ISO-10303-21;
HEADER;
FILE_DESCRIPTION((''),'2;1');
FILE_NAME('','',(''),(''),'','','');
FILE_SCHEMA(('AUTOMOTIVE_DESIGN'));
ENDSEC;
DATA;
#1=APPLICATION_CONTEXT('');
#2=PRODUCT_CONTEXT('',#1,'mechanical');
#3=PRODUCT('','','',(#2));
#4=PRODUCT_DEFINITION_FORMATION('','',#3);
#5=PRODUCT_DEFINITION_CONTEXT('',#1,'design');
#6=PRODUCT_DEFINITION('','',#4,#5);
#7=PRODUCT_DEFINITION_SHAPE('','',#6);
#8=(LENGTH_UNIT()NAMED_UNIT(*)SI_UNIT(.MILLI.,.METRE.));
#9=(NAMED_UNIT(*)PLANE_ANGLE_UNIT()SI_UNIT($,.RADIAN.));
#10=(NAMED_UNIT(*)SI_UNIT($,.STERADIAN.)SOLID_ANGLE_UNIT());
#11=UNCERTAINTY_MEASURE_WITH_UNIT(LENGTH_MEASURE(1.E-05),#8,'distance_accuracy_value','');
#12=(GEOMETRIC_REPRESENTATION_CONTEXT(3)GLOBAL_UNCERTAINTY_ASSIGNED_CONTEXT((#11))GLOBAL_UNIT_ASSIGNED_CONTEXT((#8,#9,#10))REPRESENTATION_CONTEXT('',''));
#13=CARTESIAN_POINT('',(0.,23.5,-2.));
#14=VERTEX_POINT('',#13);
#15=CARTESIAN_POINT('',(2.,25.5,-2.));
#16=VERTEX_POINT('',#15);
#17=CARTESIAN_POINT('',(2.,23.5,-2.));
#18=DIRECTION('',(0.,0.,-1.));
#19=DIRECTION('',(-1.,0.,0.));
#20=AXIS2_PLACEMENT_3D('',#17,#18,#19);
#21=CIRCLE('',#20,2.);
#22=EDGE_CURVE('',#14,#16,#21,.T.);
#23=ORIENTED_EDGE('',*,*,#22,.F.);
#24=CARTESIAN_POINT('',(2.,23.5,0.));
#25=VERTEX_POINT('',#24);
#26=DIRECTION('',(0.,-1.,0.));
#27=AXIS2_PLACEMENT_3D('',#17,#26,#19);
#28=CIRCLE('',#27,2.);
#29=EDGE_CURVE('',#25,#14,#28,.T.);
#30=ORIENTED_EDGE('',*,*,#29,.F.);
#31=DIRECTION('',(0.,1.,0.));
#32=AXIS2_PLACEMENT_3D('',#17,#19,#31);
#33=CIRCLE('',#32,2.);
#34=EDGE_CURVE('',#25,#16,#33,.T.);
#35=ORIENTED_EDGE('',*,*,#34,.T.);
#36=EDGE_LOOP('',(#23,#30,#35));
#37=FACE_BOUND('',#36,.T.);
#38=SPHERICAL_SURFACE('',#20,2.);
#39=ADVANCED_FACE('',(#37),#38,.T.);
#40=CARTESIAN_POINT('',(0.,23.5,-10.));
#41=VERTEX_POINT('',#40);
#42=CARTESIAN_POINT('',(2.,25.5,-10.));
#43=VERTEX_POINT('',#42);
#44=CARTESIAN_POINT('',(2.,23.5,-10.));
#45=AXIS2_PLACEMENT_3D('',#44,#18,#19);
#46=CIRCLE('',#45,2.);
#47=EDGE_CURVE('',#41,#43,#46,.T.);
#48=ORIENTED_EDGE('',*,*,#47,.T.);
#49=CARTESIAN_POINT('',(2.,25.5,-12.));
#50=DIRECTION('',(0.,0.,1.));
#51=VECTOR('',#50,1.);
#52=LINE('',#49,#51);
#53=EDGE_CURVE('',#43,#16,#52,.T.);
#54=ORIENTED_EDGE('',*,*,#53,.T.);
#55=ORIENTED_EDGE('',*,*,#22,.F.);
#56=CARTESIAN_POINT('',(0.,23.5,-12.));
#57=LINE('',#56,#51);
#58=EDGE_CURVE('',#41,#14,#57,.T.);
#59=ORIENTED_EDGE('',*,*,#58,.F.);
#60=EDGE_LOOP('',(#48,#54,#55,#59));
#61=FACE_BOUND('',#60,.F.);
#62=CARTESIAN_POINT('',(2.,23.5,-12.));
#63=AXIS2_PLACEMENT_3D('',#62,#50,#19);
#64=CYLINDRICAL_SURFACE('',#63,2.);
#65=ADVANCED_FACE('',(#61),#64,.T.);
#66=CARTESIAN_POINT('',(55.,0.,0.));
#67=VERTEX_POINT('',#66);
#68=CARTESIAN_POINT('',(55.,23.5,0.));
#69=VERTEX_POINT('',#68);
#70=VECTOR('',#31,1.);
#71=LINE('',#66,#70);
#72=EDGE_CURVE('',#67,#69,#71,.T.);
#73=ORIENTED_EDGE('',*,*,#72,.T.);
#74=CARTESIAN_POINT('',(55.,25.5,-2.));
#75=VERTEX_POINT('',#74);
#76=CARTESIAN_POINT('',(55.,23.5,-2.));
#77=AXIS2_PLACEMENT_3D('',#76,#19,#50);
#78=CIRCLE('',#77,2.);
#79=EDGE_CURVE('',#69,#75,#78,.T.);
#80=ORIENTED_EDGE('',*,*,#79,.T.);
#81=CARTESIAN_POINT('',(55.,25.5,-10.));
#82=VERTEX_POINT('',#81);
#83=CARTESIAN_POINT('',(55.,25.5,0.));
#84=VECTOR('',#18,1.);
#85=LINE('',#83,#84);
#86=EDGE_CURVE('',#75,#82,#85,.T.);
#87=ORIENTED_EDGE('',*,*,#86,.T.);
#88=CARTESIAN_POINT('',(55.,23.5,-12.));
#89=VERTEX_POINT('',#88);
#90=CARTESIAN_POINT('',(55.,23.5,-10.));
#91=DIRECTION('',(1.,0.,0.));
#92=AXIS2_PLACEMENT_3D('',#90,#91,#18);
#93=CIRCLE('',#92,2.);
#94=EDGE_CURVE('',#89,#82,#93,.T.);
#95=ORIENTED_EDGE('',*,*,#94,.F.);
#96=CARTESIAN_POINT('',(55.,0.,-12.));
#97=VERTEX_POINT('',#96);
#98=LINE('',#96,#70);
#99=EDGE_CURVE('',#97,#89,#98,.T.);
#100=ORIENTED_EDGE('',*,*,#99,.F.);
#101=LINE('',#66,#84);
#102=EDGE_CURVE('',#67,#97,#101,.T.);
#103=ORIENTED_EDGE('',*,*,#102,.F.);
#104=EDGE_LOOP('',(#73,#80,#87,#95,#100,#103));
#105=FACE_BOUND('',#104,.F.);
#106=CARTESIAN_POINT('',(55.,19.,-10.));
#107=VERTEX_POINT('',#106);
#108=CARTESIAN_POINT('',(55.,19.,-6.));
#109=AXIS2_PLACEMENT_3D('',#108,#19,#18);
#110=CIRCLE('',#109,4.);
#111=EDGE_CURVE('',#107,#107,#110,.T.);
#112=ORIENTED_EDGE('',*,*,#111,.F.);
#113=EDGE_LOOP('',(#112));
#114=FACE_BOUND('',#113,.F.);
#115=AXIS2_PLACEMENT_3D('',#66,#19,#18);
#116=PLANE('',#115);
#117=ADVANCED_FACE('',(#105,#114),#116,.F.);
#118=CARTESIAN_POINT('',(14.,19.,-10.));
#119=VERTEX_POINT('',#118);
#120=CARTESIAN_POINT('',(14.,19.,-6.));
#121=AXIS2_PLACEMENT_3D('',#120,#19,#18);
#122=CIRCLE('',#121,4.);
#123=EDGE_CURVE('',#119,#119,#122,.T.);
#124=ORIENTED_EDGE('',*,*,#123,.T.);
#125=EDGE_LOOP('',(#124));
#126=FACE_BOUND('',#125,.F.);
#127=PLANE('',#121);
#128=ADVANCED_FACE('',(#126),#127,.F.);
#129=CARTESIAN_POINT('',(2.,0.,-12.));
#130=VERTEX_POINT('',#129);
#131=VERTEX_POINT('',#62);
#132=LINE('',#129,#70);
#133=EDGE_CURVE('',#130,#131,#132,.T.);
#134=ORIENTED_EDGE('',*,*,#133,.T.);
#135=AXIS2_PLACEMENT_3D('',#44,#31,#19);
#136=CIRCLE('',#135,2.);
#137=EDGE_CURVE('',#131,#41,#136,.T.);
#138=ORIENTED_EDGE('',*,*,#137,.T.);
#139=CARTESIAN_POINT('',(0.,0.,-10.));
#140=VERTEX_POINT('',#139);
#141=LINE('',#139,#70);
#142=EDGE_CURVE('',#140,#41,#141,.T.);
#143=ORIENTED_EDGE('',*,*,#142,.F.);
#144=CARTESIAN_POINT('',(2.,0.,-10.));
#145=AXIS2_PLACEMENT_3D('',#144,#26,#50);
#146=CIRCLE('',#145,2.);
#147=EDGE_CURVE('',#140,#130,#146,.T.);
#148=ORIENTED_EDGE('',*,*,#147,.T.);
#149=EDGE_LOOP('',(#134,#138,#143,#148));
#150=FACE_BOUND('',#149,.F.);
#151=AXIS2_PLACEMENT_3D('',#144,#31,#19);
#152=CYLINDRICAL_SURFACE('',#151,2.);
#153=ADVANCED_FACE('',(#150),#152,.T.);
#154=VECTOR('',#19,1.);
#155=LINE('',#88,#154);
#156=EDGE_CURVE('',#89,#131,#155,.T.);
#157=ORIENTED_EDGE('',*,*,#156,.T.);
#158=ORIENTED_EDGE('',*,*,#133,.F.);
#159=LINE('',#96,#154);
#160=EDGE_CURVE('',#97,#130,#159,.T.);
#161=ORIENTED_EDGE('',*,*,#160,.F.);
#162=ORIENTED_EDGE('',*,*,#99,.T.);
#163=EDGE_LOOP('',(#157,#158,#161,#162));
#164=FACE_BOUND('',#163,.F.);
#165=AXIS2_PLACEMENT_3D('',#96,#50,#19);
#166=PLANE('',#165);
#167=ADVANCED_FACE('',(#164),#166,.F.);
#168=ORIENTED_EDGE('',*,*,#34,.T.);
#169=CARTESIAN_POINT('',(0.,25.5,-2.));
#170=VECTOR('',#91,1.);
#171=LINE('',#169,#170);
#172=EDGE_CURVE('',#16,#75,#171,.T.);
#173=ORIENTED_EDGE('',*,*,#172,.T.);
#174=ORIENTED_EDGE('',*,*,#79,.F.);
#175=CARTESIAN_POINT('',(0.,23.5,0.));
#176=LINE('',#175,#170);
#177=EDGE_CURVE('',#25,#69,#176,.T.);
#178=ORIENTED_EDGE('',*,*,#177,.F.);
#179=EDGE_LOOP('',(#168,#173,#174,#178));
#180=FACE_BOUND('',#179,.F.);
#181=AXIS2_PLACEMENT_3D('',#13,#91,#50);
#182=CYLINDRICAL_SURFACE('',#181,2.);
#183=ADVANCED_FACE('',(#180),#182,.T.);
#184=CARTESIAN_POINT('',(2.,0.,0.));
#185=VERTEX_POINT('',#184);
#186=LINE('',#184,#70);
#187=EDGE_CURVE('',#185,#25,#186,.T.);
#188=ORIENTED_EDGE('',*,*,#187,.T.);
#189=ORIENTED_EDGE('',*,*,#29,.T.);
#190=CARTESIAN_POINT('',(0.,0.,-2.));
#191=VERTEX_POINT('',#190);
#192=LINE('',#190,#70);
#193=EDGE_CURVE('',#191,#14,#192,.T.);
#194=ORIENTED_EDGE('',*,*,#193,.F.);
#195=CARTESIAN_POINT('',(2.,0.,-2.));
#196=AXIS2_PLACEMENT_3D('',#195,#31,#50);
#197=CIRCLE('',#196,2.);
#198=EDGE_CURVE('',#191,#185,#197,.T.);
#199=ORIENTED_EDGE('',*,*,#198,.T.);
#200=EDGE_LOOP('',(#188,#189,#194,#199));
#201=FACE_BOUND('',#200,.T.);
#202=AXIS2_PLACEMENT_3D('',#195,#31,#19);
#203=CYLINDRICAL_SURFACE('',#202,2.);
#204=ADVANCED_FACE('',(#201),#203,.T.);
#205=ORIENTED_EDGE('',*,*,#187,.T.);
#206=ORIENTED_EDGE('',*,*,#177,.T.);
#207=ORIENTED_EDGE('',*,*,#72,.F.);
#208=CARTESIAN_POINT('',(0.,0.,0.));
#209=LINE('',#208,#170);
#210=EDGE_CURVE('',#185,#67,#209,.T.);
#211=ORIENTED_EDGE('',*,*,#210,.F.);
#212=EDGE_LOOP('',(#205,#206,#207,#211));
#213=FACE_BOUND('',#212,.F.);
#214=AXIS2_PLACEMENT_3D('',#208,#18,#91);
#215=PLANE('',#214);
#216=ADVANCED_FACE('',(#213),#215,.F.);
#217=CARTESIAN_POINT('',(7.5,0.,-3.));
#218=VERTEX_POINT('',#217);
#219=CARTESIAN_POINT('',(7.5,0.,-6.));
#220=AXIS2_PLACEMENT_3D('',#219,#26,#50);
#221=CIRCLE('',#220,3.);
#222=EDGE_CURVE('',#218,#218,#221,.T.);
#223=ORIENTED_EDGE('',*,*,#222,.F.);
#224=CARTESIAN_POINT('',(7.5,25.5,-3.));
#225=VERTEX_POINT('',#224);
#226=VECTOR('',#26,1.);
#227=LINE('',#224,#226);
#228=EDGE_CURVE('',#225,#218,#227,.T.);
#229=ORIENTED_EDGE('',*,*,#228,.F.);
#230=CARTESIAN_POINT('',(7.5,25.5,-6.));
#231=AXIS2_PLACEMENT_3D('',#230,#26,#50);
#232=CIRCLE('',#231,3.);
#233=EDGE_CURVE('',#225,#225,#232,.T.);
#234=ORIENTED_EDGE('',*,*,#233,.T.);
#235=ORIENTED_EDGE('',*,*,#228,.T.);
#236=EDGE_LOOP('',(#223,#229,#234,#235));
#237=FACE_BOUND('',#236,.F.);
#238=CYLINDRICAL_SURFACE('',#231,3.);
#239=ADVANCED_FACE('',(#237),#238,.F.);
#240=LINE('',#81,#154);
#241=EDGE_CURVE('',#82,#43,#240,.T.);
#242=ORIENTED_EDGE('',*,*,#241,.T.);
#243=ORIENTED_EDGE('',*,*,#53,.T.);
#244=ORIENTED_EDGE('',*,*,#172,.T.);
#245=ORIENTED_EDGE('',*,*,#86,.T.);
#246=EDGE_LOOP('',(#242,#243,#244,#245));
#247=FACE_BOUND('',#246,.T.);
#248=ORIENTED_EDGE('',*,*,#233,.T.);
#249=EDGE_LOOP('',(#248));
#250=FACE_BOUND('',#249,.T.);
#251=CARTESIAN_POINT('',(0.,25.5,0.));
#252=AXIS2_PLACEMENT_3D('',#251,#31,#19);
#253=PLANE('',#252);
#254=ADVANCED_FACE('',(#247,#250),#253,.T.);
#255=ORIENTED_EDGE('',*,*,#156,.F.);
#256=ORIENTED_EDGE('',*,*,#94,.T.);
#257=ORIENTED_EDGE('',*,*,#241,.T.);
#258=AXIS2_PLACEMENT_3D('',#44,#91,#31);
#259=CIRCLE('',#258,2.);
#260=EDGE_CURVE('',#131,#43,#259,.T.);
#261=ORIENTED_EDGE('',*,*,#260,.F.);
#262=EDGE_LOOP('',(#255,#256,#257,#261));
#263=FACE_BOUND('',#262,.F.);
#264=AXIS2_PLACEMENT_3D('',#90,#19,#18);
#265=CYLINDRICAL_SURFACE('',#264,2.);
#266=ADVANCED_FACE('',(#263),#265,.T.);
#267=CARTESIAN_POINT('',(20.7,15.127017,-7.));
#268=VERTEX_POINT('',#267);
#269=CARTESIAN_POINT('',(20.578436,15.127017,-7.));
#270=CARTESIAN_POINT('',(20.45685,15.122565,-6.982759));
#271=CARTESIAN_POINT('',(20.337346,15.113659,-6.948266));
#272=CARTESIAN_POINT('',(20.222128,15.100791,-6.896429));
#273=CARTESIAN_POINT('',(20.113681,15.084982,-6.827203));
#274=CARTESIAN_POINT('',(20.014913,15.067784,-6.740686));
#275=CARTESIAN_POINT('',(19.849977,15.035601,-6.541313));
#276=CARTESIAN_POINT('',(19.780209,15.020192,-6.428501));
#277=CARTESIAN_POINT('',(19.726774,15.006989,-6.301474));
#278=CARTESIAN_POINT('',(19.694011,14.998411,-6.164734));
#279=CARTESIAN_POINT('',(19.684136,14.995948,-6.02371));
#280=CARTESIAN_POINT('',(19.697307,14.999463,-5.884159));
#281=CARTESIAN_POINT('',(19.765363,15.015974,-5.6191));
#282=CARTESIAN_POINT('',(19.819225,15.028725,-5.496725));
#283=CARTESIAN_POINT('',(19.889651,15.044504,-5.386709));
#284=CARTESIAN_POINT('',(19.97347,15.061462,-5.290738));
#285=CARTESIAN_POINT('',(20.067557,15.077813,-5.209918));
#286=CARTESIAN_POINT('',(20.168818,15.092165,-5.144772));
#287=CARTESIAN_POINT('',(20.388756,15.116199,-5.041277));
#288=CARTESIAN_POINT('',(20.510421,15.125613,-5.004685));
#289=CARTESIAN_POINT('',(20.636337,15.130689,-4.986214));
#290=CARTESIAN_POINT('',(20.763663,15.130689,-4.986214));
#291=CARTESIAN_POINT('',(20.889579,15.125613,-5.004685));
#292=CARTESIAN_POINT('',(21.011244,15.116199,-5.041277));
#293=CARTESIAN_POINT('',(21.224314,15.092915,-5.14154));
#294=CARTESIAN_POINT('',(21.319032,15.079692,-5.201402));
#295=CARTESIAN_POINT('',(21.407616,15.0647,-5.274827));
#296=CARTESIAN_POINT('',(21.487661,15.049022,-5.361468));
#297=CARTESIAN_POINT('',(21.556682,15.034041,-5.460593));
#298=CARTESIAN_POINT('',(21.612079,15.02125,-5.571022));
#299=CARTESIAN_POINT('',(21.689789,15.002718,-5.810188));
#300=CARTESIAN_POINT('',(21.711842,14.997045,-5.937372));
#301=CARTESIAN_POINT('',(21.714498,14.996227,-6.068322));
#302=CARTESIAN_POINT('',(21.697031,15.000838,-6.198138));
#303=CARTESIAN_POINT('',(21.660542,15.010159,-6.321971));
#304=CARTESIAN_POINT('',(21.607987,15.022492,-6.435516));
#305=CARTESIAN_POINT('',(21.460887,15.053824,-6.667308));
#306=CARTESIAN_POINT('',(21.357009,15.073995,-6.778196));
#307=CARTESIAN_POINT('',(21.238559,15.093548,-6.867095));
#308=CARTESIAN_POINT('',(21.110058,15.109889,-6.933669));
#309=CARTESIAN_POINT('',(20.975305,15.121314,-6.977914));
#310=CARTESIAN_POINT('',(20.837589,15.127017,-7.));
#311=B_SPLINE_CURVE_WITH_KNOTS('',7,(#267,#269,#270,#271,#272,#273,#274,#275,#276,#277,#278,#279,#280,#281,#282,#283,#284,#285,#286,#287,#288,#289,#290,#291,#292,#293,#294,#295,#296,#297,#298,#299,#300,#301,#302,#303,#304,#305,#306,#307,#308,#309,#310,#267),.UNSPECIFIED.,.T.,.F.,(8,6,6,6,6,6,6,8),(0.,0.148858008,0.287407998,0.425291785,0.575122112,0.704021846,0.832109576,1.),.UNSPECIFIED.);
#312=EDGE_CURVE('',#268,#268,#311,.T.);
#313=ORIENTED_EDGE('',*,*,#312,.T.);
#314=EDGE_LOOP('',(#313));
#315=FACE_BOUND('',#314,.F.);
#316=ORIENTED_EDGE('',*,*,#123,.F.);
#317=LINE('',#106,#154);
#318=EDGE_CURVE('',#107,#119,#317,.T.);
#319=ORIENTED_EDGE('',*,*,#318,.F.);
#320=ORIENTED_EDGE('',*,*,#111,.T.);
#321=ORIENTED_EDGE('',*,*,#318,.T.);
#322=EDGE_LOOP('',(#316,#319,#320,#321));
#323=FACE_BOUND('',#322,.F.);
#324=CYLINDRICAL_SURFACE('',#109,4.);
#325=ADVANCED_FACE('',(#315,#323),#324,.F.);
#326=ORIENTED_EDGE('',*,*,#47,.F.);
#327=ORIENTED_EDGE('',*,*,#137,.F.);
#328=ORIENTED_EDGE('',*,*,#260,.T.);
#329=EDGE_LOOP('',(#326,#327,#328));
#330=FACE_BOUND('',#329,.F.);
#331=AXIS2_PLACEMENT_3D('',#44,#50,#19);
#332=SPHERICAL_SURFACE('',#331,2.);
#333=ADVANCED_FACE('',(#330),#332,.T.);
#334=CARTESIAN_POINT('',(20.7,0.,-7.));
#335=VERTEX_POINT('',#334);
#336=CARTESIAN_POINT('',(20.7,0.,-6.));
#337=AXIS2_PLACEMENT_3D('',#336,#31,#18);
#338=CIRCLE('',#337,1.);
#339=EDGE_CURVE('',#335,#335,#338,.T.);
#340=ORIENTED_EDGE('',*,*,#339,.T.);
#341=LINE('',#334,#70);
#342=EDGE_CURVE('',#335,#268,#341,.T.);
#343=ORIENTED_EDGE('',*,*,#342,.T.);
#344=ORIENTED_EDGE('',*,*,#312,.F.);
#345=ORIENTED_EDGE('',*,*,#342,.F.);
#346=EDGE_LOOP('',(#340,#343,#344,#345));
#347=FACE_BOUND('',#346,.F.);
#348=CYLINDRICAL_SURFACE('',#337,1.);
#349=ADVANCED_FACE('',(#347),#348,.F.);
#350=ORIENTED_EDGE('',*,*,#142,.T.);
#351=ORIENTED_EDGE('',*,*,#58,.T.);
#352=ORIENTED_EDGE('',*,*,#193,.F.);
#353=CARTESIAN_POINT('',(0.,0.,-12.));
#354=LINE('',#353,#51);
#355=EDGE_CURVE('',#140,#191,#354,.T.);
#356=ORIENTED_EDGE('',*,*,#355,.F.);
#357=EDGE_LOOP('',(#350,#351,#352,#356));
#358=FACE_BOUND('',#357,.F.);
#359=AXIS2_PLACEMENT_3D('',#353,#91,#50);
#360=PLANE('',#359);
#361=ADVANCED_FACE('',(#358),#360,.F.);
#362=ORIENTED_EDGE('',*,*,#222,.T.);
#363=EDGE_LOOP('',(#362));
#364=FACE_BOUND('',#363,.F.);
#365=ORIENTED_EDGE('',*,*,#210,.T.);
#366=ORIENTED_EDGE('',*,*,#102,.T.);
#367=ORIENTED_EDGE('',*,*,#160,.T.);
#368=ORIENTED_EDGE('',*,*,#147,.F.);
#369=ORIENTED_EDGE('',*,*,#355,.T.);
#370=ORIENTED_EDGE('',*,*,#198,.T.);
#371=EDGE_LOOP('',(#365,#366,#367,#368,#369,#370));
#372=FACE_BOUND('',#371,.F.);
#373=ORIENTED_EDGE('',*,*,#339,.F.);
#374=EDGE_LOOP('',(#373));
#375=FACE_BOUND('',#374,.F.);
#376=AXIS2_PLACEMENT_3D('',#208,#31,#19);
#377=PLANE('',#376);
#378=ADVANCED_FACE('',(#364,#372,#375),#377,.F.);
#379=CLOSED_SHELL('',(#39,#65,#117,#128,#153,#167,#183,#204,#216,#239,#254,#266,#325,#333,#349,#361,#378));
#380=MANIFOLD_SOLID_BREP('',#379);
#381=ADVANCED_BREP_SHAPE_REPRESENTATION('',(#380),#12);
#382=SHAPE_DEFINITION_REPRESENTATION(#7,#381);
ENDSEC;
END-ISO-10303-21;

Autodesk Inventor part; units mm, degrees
ref_plane "YZ Plane" through (0, 0, 0) normal (1, 0, 0) x (0, 1, 0)
ref_plane "XZ Plane" through (0, 0, 0) normal (0, 1, 0) x (-1, 0, 0)
ref_plane "XY Plane" through (0, 0, 0) normal (0, 0, 1) x (1, 0, 0)
sketch "Esboço2" plane through (0, 0, 0) normal (0, 1, 0) x (-1, 0, 0)
  line L0 (0, 0) -> (-55, 0)
  line L1 (-55, 0) -> (-55, -12)
  line L2 (-55, -12) -> (0, -12)
  line L3 (0, -12) -> (0, 0)
  dimension "d0" = 55
  dimension "d1" = 12
extrude "Extrusão1" add sketch "Esboço2" along normal blind 25.5
sketch "Esboço3" plane through (0, 25.5, 0) normal (0, 1, 0) x (1, 0, 0)
  line L0 (0, 12) -> (0, 0) projected
  line L1 (0, 6) -> (7.5, 6)
  dimension "d4" = 7.5
hole "Furo1" at (7.5, 25.5, -6) direction (0, -1, 0) diameter 6 end through all
sketch "Esboço4" plane through (0, 0, 0) normal (0, -1, 0) x (1, 0, 0)
  circle A0 centre (7.5, -6) radius 3 projected
  line L0 (7.5, -6) -> (20.7, -6)
  point P0 (0, 0)
  dimension "d12" = 13.2
sketch "Esboço5" plane through (55, 0, 0) normal (1, 0, 0) x (0, 0, -1)
  line L0 (0, 0) -> (0, 19)
  line L1 (0, 0) -> (0, 25.5) projected
  line L2 (0, 19) -> (6, 19)
  dimension "d13" = 19
  dimension "d14" = 6
hole "Furo2" at (55, 19, -6) direction (-1, 0, 0) diameter 8 depth 41
hole "Furo3" at (20.7, 0, -6) direction (0, 1, 0) diameter 2 depth 16
fillet "Arredondamento1" radius 2 5 edges at (0, 25.5, -6) (0, 12.75, 0) (0, 12.75, -12) (27.5, 25.5, 0) (27.5, 25.5, -12)
properties part number "cilinder"
